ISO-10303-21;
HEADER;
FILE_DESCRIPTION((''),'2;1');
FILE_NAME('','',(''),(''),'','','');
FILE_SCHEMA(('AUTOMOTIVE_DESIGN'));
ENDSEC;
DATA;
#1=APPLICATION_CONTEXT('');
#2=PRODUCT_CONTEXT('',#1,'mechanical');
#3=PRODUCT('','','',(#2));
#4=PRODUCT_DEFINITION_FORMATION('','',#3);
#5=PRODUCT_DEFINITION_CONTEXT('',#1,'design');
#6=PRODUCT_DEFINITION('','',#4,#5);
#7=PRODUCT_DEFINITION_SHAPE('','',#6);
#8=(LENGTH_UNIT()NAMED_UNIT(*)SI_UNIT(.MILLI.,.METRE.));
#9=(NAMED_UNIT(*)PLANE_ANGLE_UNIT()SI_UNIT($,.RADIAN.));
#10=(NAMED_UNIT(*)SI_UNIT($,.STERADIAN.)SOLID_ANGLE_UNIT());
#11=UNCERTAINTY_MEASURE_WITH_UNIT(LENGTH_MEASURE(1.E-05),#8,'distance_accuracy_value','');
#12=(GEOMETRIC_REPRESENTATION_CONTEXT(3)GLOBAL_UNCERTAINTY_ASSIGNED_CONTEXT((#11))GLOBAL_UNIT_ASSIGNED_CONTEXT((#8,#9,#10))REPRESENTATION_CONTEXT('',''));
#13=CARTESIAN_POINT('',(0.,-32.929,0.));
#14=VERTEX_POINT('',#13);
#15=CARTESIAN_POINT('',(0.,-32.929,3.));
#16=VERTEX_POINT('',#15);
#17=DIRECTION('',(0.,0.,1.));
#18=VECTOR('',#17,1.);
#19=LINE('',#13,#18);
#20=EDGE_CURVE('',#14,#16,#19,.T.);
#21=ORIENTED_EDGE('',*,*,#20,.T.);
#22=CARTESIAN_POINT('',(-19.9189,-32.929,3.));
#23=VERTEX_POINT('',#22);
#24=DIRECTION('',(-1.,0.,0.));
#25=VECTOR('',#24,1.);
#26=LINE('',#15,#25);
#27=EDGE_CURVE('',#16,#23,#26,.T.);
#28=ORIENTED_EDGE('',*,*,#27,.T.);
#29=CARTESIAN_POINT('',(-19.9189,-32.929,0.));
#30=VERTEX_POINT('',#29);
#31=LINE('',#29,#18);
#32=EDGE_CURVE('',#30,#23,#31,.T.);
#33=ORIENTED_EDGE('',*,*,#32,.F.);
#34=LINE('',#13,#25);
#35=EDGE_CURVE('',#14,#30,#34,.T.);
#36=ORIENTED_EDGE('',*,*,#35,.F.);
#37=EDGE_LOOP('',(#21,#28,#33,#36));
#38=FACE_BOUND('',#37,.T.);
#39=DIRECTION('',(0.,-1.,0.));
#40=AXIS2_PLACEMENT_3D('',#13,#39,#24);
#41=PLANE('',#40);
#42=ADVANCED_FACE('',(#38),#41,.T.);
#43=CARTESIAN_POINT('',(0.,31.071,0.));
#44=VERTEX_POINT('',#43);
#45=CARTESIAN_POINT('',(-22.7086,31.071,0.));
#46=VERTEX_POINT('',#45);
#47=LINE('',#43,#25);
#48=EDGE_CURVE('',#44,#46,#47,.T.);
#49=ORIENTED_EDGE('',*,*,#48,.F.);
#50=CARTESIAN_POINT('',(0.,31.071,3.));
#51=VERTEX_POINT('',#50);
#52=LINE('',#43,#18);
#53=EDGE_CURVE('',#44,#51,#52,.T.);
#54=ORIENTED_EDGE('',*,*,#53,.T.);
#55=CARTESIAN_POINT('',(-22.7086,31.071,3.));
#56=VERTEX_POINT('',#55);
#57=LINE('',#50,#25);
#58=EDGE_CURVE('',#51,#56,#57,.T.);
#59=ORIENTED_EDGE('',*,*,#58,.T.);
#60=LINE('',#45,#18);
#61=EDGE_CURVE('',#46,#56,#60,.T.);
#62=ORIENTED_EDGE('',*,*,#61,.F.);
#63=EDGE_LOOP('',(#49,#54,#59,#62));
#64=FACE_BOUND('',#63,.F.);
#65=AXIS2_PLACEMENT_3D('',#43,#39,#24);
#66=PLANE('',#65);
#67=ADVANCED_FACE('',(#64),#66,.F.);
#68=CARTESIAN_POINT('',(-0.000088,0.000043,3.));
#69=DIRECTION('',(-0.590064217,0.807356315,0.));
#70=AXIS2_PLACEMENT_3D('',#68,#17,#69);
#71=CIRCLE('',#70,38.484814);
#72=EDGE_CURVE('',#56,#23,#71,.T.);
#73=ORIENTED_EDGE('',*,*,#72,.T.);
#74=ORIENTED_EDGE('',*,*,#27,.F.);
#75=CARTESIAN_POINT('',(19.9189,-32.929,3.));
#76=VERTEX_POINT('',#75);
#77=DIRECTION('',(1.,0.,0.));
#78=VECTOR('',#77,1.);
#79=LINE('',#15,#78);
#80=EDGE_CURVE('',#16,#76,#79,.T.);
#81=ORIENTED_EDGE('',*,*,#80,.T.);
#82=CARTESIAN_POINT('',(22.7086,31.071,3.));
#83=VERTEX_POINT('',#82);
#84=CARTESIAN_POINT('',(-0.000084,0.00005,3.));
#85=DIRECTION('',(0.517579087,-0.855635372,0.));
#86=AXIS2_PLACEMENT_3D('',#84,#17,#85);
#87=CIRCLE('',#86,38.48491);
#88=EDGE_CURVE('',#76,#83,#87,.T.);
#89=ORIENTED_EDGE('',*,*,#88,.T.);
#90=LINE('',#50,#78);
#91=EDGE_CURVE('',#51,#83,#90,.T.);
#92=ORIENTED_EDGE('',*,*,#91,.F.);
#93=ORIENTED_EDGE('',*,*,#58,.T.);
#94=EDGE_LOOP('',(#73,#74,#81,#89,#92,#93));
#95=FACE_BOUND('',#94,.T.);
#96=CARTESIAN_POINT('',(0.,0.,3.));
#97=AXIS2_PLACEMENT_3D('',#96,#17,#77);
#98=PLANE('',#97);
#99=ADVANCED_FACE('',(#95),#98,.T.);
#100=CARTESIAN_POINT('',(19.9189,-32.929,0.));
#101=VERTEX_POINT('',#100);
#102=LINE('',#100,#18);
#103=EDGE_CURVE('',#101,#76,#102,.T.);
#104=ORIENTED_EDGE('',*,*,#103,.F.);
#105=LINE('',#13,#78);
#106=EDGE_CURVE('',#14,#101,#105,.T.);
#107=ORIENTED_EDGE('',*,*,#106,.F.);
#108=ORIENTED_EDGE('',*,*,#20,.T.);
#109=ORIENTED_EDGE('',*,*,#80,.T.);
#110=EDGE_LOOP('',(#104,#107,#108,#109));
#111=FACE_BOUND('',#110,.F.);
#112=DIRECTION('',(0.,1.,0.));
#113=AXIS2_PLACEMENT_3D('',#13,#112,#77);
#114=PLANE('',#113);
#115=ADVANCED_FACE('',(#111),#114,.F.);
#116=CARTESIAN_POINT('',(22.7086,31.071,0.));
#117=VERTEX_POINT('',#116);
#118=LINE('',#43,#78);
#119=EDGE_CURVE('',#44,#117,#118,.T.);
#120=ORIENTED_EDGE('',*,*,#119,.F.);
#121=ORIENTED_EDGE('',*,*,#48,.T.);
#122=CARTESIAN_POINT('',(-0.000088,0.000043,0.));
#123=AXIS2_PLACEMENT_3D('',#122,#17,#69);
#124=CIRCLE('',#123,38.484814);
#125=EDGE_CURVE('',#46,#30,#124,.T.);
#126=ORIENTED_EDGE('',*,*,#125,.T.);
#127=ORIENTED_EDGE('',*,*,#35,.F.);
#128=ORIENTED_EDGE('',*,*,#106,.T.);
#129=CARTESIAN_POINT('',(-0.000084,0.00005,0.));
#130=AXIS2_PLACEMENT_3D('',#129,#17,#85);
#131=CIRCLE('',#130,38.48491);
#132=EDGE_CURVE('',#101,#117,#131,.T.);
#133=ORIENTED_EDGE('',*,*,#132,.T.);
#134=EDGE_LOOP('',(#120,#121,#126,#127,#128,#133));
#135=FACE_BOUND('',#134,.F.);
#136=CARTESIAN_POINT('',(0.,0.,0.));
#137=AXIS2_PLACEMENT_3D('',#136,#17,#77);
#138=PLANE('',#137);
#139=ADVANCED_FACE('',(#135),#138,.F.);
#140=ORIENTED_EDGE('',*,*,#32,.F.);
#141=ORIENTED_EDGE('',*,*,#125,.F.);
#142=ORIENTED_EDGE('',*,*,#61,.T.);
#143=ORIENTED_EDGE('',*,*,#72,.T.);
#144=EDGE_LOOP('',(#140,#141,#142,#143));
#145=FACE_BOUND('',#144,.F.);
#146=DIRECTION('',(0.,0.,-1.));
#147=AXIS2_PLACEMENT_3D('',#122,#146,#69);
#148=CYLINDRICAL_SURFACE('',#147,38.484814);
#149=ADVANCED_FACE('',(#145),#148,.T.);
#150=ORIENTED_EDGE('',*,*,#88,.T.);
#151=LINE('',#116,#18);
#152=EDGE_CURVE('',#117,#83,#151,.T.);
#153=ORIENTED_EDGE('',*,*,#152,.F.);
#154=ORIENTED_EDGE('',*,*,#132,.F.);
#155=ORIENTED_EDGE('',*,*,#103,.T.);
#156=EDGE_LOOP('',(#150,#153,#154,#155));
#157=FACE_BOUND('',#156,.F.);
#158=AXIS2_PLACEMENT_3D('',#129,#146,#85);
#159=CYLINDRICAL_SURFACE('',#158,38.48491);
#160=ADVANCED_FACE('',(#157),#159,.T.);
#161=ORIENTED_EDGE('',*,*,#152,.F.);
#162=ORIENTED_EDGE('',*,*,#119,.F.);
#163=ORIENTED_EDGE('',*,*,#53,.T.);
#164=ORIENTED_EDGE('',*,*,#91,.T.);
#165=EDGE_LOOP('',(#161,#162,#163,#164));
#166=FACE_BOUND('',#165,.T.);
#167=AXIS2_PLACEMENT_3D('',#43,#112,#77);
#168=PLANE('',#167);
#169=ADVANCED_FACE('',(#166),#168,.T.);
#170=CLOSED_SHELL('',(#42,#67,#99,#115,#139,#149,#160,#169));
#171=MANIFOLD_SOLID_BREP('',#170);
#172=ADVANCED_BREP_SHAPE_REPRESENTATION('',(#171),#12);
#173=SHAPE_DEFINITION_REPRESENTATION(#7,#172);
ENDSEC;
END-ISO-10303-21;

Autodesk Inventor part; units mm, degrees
ref_plane "YZ Plane" through (0, 0, 0) normal (1, 0, 0) x (0, 1, 0)
ref_plane "XZ Plane" through (0, 0, 0) normal (0, 1, 0) x (-1, 0, 0)
ref_plane "XY Plane" through (0, 0, 0) normal (0, 0, 1) x (1, 0, 0)
sketch "Sketch1" plane through (0, 0, 0) normal (0, 0, 1) x (1, 0, 0)
  line L0 (0, 31.071) -> (22.7086, 31.071)
  line L1 (0, 31.071) -> (-22.7086, 31.071)
  line L2 (0, -32.929) -> (19.9189, -32.929)
  line L3 (0, -32.929) -> (-19.9189, -32.929)
  arc A0 (-22.7086, 31.071) -> (-19.9189, -32.929) centre (0, 0) ccw
  arc A1 (19.9189, -32.929) -> (22.7086, 31.071) centre (0, 0) ccw
  dimension "d2" = 64
extrude "Extrusion1" add sketch "Sketch1" along normal blind 3
properties part number "superior"
